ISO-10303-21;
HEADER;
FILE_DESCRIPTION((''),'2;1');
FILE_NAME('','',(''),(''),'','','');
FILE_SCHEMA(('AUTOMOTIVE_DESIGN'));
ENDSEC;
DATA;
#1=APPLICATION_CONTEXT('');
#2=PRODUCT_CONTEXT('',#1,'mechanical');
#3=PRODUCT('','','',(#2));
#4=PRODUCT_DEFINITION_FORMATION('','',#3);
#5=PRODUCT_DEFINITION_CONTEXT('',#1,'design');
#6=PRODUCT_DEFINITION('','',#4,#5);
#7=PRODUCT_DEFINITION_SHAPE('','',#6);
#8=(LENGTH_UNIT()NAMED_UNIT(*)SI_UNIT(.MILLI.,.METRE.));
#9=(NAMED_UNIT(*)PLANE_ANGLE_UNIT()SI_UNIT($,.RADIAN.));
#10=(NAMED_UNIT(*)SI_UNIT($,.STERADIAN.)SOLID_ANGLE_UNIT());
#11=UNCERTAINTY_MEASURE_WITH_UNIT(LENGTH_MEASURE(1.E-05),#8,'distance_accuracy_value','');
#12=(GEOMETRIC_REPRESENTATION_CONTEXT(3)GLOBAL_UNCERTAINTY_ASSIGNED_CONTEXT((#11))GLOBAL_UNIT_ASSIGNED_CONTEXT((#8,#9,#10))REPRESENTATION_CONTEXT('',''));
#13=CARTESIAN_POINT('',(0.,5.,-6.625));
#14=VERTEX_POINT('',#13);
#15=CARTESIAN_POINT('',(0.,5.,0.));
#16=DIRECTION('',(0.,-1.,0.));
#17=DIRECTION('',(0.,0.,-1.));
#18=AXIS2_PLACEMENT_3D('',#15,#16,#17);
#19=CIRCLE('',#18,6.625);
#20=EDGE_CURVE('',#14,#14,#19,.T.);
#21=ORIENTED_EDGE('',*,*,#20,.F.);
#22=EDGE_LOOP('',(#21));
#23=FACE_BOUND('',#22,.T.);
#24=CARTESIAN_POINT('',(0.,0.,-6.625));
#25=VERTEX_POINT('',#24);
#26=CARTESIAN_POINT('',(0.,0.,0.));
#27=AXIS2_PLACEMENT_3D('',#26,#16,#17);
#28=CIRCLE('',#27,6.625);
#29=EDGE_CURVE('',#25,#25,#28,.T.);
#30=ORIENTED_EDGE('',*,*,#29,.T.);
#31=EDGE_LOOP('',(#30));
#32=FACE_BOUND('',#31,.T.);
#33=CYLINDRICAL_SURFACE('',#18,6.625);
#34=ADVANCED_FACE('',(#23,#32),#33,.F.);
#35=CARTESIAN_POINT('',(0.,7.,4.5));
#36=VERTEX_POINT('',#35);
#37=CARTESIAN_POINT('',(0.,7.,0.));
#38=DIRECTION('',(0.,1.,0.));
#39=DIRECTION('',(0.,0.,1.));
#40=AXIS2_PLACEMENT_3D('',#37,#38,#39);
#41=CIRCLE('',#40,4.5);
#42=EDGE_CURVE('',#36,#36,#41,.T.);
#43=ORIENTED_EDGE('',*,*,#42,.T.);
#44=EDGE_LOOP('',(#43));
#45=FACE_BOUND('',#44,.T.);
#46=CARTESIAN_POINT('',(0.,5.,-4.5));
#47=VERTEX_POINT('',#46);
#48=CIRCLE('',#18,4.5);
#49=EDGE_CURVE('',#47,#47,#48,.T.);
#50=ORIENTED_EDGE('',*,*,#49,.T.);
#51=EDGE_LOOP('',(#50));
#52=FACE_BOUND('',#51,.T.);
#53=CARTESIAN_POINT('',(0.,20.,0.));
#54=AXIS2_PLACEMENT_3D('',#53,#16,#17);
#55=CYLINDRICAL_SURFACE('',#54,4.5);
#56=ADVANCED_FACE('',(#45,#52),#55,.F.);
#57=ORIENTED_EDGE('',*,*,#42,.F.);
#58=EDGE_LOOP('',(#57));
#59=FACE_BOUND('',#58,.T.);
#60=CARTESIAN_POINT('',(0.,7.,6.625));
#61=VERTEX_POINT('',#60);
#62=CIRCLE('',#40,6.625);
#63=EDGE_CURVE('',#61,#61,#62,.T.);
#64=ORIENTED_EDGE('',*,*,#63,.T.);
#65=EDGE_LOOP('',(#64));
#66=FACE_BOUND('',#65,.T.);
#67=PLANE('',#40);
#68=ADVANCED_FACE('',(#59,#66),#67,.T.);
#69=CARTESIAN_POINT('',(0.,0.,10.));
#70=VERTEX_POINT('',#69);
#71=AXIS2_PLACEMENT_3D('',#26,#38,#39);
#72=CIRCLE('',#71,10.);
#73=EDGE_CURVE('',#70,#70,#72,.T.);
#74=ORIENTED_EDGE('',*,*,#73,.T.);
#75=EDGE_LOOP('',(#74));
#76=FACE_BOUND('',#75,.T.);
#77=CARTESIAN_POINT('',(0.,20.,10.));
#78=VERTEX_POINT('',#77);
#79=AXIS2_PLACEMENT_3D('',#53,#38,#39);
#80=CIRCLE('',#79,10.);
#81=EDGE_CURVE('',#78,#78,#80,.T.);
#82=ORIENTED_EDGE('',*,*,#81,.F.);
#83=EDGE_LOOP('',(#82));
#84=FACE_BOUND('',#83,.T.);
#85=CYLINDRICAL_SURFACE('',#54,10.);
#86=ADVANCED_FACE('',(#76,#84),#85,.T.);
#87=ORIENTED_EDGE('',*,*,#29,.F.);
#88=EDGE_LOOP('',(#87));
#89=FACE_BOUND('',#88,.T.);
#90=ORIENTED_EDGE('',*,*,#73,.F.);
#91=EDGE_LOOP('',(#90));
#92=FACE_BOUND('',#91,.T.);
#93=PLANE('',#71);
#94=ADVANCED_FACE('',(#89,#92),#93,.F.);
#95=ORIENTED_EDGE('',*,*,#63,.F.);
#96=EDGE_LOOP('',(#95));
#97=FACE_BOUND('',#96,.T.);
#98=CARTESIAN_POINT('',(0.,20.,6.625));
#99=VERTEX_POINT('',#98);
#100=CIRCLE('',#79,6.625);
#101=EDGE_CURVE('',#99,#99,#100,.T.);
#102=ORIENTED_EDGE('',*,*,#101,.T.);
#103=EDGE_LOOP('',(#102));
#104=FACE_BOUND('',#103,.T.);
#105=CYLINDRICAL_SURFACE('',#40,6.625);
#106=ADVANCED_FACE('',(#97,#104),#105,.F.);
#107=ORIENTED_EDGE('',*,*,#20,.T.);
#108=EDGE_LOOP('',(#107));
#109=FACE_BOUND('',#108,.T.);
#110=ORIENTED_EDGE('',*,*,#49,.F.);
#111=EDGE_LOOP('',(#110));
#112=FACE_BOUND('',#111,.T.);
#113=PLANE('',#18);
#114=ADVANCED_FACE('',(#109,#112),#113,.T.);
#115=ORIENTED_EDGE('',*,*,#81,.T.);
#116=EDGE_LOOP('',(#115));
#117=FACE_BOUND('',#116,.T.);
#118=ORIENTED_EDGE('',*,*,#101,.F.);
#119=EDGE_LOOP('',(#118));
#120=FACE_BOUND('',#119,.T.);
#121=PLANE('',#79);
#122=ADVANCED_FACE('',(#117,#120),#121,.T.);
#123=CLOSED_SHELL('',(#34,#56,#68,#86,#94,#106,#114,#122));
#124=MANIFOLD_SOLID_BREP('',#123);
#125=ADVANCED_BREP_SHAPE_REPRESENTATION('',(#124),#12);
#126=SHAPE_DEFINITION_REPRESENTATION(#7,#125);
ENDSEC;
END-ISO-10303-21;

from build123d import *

# Parameters (mm, degrees)
SKETCH1_R           = 10
SKETCH1_R_2         = 4.5
BOSS_EXTRUDE1_DEPTH = 20
SKETCH2_R           = 6.625
CUT_EXTRUDE1_DEPTH  = 13
SKETCH3_R           = 6.625
CUT_EXTRUDE2_DEPTH  = 5


with BuildPart() as part:
    # Sketch1 → Boss-Extrude1 (new body)
    with BuildSketch(Plane(origin=(0, 0, 0), x_dir=(1, 0, 0), z_dir=(0, 1, 0))):
        Circle(SKETCH1_R)
        Circle(SKETCH1_R_2, mode=Mode.SUBTRACT)
    extrude(amount=BOSS_EXTRUDE1_DEPTH)

    # Sketch2 → Cut-Extrude1 (cut)
    with BuildSketch(Plane(origin=(0, 20, 0), x_dir=(1, 0, 0), z_dir=(0, 1, 0))):
        Circle(SKETCH2_R)
    extrude(amount=-CUT_EXTRUDE1_DEPTH, mode=Mode.SUBTRACT)

    # Sketch3 → Cut-Extrude2 (cut)
    with BuildSketch(Plane.XZ):
        Circle(SKETCH3_R)
    extrude(amount=-CUT_EXTRUDE2_DEPTH, mode=Mode.SUBTRACT)


solid = part.part
